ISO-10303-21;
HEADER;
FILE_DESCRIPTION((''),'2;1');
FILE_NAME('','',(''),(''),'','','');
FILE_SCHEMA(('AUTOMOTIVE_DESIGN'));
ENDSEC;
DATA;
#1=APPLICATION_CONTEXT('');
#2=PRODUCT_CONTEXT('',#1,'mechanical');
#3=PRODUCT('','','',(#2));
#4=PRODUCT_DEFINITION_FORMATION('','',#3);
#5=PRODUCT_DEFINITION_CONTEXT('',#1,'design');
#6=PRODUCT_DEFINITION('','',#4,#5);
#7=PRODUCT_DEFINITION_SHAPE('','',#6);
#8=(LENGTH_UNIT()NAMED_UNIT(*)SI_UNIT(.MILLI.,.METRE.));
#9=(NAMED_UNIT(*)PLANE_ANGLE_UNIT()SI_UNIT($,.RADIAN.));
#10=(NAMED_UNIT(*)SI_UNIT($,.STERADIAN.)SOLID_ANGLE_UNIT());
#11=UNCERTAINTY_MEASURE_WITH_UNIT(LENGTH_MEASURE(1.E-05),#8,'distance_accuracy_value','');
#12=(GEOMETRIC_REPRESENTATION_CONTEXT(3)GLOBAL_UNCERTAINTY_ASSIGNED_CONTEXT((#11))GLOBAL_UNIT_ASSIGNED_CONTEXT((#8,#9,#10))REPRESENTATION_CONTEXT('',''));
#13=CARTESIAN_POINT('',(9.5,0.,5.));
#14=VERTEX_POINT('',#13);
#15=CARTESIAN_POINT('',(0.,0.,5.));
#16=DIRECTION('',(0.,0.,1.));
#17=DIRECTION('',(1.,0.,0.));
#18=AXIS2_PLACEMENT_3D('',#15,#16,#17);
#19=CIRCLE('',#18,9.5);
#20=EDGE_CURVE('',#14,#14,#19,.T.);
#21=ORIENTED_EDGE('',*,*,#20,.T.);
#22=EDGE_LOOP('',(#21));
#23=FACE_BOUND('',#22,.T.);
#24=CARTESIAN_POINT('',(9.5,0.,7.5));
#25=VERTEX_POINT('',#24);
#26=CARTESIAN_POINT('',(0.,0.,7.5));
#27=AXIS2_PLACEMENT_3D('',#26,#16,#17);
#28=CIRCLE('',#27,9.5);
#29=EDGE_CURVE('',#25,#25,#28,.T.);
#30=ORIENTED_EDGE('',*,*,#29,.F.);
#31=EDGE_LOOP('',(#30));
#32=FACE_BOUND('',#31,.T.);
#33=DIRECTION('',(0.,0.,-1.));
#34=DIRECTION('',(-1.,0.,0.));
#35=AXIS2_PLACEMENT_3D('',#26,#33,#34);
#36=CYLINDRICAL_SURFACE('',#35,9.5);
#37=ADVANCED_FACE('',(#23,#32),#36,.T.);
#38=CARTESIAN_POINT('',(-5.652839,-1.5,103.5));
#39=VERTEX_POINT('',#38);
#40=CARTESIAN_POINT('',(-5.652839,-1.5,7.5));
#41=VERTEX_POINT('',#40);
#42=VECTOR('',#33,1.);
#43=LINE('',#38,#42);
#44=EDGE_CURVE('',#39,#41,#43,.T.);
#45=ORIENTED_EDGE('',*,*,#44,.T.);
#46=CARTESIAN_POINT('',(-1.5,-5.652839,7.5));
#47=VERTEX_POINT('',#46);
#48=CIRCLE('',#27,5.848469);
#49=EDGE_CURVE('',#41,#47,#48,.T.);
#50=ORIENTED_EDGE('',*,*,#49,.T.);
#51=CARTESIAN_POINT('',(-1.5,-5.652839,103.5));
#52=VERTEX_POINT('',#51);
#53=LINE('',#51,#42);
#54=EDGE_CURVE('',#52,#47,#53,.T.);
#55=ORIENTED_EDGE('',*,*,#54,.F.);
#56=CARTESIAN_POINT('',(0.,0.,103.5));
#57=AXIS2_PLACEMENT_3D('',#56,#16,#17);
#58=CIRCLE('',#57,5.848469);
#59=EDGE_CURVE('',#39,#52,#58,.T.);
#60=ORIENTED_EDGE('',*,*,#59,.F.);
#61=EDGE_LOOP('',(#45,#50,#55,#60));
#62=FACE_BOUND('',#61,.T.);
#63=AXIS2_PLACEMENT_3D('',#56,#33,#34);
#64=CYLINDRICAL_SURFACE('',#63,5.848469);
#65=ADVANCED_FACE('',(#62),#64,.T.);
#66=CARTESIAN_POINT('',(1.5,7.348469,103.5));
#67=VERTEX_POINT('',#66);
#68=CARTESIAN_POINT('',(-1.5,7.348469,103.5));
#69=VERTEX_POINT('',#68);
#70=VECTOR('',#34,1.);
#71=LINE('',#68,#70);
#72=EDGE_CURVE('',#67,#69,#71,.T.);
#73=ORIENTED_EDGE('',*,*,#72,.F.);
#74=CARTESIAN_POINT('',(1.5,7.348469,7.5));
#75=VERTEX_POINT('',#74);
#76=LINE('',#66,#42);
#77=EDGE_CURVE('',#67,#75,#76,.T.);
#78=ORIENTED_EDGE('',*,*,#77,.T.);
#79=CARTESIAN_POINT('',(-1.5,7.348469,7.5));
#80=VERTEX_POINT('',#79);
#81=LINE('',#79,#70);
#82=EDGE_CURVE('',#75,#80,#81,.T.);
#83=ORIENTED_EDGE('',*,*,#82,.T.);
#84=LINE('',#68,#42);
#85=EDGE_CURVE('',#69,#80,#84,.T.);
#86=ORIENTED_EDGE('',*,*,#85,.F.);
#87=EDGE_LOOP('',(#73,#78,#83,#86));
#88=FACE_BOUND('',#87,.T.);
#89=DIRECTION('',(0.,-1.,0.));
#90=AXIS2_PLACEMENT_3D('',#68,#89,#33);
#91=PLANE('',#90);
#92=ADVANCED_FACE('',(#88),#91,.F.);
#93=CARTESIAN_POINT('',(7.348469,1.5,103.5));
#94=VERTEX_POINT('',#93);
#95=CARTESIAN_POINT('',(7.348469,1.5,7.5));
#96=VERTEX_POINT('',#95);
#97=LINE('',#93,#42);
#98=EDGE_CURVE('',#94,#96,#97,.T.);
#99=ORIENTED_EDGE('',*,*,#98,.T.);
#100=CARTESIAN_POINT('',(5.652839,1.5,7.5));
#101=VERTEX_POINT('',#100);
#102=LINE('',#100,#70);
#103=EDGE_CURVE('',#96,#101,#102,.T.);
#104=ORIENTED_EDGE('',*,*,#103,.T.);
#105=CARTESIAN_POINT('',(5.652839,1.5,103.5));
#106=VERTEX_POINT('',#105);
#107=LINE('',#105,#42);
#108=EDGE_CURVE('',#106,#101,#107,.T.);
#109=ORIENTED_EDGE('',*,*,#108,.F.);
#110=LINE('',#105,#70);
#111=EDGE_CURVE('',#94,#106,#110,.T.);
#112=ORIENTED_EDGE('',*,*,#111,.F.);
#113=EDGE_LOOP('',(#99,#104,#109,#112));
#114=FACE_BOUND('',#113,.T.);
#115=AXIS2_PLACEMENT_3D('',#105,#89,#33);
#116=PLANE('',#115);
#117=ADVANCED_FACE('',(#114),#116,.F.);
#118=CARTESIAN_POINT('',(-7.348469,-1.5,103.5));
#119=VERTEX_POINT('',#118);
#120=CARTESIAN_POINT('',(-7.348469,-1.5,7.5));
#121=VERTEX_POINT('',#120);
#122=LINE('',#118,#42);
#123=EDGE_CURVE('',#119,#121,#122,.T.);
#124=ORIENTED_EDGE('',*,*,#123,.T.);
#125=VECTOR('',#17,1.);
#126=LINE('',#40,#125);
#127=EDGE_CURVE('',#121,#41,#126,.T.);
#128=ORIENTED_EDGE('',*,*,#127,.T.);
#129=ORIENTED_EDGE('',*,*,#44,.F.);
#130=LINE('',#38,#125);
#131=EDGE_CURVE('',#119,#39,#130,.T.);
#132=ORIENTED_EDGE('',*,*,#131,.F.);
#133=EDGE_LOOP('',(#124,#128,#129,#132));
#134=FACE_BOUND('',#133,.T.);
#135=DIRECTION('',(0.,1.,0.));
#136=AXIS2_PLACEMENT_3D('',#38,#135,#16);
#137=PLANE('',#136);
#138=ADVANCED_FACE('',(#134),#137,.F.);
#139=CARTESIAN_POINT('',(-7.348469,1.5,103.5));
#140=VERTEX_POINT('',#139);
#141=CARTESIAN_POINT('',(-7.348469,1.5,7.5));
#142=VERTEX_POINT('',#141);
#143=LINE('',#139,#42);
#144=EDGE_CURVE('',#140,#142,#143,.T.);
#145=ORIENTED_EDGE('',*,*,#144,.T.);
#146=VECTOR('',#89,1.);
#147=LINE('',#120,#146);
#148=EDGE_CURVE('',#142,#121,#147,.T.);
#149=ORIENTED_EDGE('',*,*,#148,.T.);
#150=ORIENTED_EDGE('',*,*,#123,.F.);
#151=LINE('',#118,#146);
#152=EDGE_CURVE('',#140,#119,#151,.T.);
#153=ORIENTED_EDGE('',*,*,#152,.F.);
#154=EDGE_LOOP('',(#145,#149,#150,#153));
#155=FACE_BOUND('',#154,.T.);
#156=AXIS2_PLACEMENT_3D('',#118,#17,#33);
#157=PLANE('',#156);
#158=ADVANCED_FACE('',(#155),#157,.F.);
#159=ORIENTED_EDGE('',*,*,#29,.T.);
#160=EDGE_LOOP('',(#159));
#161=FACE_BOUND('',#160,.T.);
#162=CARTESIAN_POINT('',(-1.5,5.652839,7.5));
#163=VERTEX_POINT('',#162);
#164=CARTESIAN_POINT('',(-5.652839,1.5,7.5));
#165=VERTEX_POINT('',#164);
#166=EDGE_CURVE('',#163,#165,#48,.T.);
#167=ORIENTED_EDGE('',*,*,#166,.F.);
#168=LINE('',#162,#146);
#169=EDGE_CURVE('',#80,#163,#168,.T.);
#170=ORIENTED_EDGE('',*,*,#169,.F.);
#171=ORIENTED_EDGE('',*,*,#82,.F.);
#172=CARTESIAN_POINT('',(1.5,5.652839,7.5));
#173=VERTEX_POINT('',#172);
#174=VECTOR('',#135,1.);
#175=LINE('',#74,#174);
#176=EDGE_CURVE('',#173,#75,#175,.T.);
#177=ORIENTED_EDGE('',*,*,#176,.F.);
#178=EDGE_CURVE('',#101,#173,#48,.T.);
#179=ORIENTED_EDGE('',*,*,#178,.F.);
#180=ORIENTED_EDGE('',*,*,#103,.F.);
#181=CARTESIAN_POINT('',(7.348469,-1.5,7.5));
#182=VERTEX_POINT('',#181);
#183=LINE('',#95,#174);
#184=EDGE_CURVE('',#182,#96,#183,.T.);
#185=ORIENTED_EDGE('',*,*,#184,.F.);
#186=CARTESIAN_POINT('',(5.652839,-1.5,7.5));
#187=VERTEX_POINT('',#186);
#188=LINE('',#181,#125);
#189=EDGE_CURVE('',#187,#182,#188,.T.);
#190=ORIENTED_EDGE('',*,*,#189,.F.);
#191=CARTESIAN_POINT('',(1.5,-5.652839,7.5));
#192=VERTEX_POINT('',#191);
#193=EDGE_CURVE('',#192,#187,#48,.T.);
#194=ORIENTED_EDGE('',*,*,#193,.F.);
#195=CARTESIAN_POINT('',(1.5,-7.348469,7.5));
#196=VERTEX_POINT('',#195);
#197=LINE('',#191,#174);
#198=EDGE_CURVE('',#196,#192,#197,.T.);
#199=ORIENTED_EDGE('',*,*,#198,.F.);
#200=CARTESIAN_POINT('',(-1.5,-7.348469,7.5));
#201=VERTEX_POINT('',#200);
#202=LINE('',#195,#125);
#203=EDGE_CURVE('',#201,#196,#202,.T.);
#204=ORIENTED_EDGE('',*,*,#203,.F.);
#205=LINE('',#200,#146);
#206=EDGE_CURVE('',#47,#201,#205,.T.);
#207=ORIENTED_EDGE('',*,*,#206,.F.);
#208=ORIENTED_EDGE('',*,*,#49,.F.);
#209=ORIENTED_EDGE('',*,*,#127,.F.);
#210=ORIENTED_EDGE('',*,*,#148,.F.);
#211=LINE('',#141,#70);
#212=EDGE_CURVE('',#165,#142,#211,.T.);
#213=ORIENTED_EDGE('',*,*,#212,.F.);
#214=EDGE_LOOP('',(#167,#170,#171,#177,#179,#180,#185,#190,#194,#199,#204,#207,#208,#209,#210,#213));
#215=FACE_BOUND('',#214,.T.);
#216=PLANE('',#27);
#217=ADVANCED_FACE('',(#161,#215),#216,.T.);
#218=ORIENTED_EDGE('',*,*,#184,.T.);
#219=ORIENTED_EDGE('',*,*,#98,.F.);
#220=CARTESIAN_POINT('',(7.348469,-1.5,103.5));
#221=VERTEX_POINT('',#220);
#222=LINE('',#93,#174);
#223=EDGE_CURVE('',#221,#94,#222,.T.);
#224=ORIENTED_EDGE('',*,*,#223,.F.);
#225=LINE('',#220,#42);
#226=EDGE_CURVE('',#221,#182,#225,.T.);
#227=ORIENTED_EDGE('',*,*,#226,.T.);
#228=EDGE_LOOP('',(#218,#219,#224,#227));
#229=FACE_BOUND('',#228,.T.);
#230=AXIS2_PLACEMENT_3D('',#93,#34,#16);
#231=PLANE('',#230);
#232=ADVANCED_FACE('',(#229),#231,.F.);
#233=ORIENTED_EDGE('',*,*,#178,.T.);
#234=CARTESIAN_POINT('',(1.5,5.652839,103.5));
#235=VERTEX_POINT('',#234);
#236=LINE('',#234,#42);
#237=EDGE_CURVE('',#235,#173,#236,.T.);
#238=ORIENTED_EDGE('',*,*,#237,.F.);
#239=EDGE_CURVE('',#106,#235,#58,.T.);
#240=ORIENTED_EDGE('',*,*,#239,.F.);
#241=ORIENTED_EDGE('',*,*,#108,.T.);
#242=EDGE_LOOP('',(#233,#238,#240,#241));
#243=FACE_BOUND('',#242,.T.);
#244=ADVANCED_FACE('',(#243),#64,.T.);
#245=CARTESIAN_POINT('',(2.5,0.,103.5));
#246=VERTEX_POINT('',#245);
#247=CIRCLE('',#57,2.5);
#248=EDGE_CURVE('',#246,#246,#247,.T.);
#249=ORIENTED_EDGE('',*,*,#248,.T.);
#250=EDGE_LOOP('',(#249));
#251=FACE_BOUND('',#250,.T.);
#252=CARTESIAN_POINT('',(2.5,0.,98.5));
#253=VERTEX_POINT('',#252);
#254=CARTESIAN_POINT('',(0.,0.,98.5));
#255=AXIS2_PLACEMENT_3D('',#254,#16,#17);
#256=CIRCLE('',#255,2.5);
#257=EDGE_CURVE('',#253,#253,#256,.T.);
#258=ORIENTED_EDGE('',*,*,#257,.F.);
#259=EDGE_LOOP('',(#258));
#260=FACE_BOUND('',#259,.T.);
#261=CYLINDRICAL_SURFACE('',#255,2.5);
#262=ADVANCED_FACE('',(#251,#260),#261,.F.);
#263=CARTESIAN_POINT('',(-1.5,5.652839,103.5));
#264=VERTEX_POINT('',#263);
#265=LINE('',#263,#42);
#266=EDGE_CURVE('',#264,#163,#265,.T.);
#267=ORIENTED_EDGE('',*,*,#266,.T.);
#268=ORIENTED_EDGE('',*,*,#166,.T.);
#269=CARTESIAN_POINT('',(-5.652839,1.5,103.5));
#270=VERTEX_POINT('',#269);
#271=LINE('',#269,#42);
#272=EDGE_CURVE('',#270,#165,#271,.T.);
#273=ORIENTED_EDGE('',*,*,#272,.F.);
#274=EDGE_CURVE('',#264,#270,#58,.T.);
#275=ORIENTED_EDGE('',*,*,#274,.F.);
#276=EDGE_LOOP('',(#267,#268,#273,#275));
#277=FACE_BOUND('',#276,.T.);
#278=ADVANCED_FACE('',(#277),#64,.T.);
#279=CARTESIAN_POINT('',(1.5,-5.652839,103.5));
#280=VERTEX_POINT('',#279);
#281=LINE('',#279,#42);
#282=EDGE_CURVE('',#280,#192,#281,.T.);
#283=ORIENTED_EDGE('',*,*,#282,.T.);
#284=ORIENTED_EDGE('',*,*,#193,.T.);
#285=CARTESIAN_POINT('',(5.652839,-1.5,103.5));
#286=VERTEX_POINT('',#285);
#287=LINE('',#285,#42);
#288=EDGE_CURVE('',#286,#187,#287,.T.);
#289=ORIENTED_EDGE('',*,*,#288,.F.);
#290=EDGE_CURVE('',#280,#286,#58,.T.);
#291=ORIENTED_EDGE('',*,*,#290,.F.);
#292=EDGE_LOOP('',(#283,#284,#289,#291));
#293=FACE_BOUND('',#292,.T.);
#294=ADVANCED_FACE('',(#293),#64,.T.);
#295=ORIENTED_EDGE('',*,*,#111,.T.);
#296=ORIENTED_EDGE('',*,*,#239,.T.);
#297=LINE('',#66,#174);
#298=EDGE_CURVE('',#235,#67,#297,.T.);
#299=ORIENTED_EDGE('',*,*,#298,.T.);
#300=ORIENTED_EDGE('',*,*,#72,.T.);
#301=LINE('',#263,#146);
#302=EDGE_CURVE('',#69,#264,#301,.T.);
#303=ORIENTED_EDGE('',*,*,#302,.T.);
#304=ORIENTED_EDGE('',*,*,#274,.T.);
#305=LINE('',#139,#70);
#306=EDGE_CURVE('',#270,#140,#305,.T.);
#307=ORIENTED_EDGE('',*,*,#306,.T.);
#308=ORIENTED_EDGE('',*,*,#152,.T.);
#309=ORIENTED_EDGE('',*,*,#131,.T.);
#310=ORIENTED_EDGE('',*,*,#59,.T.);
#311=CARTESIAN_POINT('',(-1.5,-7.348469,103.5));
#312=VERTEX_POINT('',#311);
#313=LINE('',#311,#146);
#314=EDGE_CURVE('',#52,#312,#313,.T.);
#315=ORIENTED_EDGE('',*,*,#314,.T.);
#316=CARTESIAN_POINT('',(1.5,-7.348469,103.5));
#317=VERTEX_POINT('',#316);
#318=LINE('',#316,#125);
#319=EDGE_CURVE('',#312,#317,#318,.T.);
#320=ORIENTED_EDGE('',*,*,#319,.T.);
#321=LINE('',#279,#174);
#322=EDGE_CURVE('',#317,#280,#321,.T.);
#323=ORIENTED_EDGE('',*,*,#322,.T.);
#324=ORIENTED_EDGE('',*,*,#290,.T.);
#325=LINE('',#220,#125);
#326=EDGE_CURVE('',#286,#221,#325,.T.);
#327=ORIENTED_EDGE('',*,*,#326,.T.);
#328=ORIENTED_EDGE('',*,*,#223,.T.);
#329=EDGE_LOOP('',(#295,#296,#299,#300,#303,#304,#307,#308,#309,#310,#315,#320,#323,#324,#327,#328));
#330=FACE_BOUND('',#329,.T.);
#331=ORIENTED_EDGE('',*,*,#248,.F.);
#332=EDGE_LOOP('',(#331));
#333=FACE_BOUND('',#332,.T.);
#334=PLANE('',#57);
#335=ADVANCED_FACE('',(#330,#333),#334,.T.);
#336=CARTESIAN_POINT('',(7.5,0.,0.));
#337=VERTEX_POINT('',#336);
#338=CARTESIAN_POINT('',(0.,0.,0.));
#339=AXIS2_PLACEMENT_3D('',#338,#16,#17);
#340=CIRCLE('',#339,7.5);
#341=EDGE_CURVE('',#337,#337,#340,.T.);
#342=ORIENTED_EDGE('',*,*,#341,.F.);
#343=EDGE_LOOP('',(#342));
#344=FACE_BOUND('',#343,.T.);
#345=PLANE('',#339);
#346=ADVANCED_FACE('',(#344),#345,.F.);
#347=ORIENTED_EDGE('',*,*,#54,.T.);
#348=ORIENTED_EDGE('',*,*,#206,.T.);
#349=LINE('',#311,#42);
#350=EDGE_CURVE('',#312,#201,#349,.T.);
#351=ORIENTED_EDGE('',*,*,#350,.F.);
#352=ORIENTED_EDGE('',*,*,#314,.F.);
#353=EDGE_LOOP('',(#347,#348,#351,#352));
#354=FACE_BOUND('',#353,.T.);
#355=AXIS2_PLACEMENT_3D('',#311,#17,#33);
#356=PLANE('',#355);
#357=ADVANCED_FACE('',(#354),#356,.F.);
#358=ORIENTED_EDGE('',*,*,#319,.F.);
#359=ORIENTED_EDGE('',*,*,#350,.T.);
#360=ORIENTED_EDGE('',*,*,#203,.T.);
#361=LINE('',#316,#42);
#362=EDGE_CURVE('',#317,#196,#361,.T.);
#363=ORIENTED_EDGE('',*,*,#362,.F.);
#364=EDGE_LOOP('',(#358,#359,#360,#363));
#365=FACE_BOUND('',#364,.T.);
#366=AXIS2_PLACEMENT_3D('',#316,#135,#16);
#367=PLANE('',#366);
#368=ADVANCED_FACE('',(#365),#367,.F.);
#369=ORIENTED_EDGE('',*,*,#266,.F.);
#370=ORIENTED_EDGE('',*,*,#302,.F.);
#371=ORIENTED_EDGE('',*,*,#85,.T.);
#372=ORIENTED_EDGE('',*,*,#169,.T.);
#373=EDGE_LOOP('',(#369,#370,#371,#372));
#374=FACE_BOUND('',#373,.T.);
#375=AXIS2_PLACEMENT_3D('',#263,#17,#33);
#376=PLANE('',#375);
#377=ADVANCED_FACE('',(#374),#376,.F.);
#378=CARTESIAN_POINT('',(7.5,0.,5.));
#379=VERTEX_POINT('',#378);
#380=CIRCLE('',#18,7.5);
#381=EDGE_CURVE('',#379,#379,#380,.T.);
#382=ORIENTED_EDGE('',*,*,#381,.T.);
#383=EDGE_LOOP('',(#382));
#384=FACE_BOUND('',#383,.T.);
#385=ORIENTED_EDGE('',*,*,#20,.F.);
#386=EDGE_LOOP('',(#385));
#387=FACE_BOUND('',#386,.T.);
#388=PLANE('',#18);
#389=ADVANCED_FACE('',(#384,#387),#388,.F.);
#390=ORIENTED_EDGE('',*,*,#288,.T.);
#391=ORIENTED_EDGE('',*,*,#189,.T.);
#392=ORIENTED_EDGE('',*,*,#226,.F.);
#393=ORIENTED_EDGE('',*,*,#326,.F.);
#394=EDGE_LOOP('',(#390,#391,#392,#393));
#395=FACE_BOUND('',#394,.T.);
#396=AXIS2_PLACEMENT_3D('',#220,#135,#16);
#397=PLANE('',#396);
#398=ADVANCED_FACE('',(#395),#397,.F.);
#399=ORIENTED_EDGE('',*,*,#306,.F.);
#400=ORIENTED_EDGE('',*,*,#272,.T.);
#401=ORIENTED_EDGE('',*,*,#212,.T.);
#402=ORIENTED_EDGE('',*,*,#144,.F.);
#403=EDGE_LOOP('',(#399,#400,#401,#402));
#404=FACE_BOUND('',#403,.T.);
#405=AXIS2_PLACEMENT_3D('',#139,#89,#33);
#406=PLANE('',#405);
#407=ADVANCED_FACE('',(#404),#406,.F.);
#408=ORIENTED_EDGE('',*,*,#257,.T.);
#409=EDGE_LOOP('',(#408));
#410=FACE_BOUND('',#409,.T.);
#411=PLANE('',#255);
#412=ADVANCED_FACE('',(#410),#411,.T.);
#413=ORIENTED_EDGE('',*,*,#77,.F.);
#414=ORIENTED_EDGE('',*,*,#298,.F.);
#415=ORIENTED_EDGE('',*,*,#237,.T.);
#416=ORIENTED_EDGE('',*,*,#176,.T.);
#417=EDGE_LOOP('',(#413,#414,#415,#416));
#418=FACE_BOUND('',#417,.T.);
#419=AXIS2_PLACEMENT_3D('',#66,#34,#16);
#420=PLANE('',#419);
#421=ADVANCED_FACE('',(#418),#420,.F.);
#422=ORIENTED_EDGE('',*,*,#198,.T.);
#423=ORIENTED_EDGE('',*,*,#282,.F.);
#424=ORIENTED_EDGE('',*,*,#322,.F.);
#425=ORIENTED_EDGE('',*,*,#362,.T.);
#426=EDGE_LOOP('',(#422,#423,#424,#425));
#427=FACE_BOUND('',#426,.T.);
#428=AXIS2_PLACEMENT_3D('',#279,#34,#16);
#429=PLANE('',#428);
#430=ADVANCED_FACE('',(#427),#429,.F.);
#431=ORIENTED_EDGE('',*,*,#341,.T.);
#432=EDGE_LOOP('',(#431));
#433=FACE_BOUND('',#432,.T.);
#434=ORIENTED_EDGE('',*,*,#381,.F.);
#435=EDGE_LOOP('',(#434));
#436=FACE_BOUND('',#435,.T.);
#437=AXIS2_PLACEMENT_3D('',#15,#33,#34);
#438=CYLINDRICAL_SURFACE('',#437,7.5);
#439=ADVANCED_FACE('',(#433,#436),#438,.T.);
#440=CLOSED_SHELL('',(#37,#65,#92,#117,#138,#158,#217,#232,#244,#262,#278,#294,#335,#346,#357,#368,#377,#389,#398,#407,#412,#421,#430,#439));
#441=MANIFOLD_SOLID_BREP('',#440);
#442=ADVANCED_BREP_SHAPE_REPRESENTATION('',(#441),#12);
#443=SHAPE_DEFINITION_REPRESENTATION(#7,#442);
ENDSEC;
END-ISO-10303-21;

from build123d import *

# Parameters (mm, degrees)
SKETCH1_R           = 7.5
BOSS_EXTRUDE1_DEPTH = 5
SKETCH3_R           = 9.5
BOSS_EXTRUDE2_DEPTH = 2.5
BOSS_EXTRUDE3_DEPTH = 96
SKETCH5_R           = 2.5
CUT_EXTRUDE1_DEPTH  = 5


with BuildPart() as part:
    # Sketch1 → Boss-Extrude1 (new body)
    with BuildSketch(Plane.XY):
        Circle(SKETCH1_R)
    extrude(amount=BOSS_EXTRUDE1_DEPTH)

    # Sketch3 → Boss-Extrude2 (add)
    with BuildSketch(Plane.XY.offset(5)):
        Circle(SKETCH3_R)
    extrude(amount=BOSS_EXTRUDE2_DEPTH)

    # Sketch4 → Boss-Extrude3 (add)
    with BuildSketch(Plane.XY.offset(7.5)):
        with BuildLine():
            Line((-1.5, 5.652839314), (-1.5, 7.348469228))
            Line((-1.5, 7.348469228), (1.5, 7.348469228))
            Line((1.5, 7.348469228), (1.5, 5.652839314))
            ThreePointArc((1.5, 5.652839314), (4.135492251, 4.135492251), (5.652839314, 1.5))
            Line((5.652839314, 1.5), (7.348469228, 1.5))
            Line((7.348469228, 1.5), (7.348469228, -1.5))
            Line((7.348469228, -1.5), (5.652839314, -1.5))
            ThreePointArc((5.652839314, -1.5), (4.135492251, -4.135492251), (1.5, -5.652839314))
            Line((1.5, -5.652839314), (1.5, -7.348469228))
            Line((1.5, -7.348469228), (-1.5, -7.348469228))
            Line((-1.5, -7.348469228), (-1.5, -5.652839314))
            ThreePointArc((-1.5, -5.652839314), (-4.135492251, -4.135492251), (-5.652839314, -1.5))
            Line((-5.652839314, -1.5), (-7.348469228, -1.5))
            Line((-7.348469228, -1.5), (-7.348469228, 1.5))
            Line((-7.348469228, 1.5), (-5.652839314, 1.5))
            ThreePointArc((-5.652839314, 1.5), (-4.135492251, 4.135492251), (-1.5, 5.652839314))
        make_face()
    extrude(amount=BOSS_EXTRUDE3_DEPTH)

    # Sketch5 → Cut-Extrude1 (cut)
    with BuildSketch(Plane.XY.offset(103.5)):
        Circle(SKETCH5_R)
    extrude(amount=-CUT_EXTRUDE1_DEPTH, mode=Mode.SUBTRACT)


solid = part.part
